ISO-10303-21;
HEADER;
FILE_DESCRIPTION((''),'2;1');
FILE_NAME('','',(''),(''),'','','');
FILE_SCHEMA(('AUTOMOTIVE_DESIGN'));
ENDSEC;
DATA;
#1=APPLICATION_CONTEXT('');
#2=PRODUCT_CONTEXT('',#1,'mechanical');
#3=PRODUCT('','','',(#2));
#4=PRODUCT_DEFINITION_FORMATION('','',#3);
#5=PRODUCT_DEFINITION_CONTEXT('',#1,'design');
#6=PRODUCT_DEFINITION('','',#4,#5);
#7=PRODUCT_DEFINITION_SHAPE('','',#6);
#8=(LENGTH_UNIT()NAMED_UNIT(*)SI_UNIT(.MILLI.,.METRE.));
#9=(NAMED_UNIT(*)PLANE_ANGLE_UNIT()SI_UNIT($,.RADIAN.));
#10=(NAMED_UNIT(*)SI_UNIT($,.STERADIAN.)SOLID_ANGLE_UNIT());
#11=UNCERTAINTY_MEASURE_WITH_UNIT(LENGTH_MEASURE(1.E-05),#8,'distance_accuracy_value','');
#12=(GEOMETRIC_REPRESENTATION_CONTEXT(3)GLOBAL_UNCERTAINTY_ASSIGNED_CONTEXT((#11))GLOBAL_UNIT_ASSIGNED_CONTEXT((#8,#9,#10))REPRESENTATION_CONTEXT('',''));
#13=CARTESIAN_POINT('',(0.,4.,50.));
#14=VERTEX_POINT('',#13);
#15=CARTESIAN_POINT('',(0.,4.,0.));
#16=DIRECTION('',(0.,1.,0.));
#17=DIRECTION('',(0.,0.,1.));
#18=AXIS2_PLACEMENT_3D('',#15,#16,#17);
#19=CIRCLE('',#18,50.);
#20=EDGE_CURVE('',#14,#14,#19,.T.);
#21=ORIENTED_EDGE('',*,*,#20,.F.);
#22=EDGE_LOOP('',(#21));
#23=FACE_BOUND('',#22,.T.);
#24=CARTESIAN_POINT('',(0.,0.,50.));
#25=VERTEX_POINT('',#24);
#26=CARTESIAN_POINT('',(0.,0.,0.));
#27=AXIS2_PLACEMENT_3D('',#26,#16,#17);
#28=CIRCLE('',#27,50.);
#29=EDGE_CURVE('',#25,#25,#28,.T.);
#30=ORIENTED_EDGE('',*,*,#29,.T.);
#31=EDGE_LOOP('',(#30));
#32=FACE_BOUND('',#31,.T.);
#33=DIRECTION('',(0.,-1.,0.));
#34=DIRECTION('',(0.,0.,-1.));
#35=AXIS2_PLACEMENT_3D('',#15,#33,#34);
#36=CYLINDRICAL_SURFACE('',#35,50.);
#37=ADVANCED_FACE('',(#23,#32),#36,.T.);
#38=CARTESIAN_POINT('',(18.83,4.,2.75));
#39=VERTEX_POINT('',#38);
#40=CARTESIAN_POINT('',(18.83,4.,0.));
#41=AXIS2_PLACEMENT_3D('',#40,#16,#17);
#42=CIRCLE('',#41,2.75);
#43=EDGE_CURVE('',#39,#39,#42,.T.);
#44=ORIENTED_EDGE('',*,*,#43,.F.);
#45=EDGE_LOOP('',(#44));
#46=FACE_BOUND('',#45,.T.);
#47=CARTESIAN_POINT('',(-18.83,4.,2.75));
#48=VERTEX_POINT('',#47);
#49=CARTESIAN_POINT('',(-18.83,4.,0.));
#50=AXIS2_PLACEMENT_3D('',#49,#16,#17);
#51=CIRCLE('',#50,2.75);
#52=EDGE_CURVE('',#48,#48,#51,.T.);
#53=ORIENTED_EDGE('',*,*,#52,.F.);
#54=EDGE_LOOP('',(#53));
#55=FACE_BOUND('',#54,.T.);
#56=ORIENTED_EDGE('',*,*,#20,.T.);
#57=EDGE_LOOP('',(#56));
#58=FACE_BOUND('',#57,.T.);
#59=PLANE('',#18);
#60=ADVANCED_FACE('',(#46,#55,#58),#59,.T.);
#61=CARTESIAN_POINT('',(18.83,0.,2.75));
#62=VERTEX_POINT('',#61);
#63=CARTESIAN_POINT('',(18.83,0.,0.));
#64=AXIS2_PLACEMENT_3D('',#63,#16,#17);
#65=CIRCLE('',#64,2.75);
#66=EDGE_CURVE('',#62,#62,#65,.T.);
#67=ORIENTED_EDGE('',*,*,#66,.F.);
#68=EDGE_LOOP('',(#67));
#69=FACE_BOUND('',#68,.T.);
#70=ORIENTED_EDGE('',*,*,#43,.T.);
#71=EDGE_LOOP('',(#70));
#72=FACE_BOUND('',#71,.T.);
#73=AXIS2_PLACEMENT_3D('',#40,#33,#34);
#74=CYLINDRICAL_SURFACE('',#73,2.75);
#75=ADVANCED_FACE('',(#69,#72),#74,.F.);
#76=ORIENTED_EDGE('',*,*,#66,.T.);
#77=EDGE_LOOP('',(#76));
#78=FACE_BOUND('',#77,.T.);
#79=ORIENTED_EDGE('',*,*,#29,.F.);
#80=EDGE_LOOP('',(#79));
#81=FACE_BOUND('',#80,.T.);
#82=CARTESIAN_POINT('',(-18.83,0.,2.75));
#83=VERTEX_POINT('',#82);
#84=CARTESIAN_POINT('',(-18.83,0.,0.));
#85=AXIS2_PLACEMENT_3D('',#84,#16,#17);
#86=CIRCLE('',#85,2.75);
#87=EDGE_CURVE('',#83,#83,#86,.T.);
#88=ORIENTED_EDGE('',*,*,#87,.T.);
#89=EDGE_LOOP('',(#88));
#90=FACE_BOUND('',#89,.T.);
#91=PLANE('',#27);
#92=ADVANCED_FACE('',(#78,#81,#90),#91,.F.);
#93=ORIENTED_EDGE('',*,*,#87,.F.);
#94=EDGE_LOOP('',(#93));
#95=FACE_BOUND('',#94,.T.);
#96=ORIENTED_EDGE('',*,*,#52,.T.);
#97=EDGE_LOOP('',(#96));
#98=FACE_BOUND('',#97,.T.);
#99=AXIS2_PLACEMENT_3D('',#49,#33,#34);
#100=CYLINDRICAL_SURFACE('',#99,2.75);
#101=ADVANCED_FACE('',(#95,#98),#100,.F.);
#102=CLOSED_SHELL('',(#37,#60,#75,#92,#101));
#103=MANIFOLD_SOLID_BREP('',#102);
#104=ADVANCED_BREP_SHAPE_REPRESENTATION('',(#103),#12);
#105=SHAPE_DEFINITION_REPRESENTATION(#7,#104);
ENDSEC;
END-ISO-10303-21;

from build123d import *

# Parameters (mm, degrees)
SKETCH_1_R      = 50
SKETCH_1_R_2    = 2.75
EXTRUDE_1_DEPTH = 4


with BuildPart() as part:
    # 草圖1 → 填料-伸長1 (new body)
    with BuildSketch(Plane(origin=(0, 0, 0), x_dir=(1, 0, 0), z_dir=(0, 1, 0))):
        with Locations(Location((0, 0, 0), (0, 0, 270))):
            Circle(SKETCH_1_R)
        with Locations(Location((-18.83, 0, 0), (0, 0, 270))):
            Circle(SKETCH_1_R_2, mode=Mode.SUBTRACT)
        with Locations(Location((18.83, 0, 0), (0, 0, 270))):
            Circle(SKETCH_1_R_2, mode=Mode.SUBTRACT)
    extrude(amount=EXTRUDE_1_DEPTH)


solid = part.part
